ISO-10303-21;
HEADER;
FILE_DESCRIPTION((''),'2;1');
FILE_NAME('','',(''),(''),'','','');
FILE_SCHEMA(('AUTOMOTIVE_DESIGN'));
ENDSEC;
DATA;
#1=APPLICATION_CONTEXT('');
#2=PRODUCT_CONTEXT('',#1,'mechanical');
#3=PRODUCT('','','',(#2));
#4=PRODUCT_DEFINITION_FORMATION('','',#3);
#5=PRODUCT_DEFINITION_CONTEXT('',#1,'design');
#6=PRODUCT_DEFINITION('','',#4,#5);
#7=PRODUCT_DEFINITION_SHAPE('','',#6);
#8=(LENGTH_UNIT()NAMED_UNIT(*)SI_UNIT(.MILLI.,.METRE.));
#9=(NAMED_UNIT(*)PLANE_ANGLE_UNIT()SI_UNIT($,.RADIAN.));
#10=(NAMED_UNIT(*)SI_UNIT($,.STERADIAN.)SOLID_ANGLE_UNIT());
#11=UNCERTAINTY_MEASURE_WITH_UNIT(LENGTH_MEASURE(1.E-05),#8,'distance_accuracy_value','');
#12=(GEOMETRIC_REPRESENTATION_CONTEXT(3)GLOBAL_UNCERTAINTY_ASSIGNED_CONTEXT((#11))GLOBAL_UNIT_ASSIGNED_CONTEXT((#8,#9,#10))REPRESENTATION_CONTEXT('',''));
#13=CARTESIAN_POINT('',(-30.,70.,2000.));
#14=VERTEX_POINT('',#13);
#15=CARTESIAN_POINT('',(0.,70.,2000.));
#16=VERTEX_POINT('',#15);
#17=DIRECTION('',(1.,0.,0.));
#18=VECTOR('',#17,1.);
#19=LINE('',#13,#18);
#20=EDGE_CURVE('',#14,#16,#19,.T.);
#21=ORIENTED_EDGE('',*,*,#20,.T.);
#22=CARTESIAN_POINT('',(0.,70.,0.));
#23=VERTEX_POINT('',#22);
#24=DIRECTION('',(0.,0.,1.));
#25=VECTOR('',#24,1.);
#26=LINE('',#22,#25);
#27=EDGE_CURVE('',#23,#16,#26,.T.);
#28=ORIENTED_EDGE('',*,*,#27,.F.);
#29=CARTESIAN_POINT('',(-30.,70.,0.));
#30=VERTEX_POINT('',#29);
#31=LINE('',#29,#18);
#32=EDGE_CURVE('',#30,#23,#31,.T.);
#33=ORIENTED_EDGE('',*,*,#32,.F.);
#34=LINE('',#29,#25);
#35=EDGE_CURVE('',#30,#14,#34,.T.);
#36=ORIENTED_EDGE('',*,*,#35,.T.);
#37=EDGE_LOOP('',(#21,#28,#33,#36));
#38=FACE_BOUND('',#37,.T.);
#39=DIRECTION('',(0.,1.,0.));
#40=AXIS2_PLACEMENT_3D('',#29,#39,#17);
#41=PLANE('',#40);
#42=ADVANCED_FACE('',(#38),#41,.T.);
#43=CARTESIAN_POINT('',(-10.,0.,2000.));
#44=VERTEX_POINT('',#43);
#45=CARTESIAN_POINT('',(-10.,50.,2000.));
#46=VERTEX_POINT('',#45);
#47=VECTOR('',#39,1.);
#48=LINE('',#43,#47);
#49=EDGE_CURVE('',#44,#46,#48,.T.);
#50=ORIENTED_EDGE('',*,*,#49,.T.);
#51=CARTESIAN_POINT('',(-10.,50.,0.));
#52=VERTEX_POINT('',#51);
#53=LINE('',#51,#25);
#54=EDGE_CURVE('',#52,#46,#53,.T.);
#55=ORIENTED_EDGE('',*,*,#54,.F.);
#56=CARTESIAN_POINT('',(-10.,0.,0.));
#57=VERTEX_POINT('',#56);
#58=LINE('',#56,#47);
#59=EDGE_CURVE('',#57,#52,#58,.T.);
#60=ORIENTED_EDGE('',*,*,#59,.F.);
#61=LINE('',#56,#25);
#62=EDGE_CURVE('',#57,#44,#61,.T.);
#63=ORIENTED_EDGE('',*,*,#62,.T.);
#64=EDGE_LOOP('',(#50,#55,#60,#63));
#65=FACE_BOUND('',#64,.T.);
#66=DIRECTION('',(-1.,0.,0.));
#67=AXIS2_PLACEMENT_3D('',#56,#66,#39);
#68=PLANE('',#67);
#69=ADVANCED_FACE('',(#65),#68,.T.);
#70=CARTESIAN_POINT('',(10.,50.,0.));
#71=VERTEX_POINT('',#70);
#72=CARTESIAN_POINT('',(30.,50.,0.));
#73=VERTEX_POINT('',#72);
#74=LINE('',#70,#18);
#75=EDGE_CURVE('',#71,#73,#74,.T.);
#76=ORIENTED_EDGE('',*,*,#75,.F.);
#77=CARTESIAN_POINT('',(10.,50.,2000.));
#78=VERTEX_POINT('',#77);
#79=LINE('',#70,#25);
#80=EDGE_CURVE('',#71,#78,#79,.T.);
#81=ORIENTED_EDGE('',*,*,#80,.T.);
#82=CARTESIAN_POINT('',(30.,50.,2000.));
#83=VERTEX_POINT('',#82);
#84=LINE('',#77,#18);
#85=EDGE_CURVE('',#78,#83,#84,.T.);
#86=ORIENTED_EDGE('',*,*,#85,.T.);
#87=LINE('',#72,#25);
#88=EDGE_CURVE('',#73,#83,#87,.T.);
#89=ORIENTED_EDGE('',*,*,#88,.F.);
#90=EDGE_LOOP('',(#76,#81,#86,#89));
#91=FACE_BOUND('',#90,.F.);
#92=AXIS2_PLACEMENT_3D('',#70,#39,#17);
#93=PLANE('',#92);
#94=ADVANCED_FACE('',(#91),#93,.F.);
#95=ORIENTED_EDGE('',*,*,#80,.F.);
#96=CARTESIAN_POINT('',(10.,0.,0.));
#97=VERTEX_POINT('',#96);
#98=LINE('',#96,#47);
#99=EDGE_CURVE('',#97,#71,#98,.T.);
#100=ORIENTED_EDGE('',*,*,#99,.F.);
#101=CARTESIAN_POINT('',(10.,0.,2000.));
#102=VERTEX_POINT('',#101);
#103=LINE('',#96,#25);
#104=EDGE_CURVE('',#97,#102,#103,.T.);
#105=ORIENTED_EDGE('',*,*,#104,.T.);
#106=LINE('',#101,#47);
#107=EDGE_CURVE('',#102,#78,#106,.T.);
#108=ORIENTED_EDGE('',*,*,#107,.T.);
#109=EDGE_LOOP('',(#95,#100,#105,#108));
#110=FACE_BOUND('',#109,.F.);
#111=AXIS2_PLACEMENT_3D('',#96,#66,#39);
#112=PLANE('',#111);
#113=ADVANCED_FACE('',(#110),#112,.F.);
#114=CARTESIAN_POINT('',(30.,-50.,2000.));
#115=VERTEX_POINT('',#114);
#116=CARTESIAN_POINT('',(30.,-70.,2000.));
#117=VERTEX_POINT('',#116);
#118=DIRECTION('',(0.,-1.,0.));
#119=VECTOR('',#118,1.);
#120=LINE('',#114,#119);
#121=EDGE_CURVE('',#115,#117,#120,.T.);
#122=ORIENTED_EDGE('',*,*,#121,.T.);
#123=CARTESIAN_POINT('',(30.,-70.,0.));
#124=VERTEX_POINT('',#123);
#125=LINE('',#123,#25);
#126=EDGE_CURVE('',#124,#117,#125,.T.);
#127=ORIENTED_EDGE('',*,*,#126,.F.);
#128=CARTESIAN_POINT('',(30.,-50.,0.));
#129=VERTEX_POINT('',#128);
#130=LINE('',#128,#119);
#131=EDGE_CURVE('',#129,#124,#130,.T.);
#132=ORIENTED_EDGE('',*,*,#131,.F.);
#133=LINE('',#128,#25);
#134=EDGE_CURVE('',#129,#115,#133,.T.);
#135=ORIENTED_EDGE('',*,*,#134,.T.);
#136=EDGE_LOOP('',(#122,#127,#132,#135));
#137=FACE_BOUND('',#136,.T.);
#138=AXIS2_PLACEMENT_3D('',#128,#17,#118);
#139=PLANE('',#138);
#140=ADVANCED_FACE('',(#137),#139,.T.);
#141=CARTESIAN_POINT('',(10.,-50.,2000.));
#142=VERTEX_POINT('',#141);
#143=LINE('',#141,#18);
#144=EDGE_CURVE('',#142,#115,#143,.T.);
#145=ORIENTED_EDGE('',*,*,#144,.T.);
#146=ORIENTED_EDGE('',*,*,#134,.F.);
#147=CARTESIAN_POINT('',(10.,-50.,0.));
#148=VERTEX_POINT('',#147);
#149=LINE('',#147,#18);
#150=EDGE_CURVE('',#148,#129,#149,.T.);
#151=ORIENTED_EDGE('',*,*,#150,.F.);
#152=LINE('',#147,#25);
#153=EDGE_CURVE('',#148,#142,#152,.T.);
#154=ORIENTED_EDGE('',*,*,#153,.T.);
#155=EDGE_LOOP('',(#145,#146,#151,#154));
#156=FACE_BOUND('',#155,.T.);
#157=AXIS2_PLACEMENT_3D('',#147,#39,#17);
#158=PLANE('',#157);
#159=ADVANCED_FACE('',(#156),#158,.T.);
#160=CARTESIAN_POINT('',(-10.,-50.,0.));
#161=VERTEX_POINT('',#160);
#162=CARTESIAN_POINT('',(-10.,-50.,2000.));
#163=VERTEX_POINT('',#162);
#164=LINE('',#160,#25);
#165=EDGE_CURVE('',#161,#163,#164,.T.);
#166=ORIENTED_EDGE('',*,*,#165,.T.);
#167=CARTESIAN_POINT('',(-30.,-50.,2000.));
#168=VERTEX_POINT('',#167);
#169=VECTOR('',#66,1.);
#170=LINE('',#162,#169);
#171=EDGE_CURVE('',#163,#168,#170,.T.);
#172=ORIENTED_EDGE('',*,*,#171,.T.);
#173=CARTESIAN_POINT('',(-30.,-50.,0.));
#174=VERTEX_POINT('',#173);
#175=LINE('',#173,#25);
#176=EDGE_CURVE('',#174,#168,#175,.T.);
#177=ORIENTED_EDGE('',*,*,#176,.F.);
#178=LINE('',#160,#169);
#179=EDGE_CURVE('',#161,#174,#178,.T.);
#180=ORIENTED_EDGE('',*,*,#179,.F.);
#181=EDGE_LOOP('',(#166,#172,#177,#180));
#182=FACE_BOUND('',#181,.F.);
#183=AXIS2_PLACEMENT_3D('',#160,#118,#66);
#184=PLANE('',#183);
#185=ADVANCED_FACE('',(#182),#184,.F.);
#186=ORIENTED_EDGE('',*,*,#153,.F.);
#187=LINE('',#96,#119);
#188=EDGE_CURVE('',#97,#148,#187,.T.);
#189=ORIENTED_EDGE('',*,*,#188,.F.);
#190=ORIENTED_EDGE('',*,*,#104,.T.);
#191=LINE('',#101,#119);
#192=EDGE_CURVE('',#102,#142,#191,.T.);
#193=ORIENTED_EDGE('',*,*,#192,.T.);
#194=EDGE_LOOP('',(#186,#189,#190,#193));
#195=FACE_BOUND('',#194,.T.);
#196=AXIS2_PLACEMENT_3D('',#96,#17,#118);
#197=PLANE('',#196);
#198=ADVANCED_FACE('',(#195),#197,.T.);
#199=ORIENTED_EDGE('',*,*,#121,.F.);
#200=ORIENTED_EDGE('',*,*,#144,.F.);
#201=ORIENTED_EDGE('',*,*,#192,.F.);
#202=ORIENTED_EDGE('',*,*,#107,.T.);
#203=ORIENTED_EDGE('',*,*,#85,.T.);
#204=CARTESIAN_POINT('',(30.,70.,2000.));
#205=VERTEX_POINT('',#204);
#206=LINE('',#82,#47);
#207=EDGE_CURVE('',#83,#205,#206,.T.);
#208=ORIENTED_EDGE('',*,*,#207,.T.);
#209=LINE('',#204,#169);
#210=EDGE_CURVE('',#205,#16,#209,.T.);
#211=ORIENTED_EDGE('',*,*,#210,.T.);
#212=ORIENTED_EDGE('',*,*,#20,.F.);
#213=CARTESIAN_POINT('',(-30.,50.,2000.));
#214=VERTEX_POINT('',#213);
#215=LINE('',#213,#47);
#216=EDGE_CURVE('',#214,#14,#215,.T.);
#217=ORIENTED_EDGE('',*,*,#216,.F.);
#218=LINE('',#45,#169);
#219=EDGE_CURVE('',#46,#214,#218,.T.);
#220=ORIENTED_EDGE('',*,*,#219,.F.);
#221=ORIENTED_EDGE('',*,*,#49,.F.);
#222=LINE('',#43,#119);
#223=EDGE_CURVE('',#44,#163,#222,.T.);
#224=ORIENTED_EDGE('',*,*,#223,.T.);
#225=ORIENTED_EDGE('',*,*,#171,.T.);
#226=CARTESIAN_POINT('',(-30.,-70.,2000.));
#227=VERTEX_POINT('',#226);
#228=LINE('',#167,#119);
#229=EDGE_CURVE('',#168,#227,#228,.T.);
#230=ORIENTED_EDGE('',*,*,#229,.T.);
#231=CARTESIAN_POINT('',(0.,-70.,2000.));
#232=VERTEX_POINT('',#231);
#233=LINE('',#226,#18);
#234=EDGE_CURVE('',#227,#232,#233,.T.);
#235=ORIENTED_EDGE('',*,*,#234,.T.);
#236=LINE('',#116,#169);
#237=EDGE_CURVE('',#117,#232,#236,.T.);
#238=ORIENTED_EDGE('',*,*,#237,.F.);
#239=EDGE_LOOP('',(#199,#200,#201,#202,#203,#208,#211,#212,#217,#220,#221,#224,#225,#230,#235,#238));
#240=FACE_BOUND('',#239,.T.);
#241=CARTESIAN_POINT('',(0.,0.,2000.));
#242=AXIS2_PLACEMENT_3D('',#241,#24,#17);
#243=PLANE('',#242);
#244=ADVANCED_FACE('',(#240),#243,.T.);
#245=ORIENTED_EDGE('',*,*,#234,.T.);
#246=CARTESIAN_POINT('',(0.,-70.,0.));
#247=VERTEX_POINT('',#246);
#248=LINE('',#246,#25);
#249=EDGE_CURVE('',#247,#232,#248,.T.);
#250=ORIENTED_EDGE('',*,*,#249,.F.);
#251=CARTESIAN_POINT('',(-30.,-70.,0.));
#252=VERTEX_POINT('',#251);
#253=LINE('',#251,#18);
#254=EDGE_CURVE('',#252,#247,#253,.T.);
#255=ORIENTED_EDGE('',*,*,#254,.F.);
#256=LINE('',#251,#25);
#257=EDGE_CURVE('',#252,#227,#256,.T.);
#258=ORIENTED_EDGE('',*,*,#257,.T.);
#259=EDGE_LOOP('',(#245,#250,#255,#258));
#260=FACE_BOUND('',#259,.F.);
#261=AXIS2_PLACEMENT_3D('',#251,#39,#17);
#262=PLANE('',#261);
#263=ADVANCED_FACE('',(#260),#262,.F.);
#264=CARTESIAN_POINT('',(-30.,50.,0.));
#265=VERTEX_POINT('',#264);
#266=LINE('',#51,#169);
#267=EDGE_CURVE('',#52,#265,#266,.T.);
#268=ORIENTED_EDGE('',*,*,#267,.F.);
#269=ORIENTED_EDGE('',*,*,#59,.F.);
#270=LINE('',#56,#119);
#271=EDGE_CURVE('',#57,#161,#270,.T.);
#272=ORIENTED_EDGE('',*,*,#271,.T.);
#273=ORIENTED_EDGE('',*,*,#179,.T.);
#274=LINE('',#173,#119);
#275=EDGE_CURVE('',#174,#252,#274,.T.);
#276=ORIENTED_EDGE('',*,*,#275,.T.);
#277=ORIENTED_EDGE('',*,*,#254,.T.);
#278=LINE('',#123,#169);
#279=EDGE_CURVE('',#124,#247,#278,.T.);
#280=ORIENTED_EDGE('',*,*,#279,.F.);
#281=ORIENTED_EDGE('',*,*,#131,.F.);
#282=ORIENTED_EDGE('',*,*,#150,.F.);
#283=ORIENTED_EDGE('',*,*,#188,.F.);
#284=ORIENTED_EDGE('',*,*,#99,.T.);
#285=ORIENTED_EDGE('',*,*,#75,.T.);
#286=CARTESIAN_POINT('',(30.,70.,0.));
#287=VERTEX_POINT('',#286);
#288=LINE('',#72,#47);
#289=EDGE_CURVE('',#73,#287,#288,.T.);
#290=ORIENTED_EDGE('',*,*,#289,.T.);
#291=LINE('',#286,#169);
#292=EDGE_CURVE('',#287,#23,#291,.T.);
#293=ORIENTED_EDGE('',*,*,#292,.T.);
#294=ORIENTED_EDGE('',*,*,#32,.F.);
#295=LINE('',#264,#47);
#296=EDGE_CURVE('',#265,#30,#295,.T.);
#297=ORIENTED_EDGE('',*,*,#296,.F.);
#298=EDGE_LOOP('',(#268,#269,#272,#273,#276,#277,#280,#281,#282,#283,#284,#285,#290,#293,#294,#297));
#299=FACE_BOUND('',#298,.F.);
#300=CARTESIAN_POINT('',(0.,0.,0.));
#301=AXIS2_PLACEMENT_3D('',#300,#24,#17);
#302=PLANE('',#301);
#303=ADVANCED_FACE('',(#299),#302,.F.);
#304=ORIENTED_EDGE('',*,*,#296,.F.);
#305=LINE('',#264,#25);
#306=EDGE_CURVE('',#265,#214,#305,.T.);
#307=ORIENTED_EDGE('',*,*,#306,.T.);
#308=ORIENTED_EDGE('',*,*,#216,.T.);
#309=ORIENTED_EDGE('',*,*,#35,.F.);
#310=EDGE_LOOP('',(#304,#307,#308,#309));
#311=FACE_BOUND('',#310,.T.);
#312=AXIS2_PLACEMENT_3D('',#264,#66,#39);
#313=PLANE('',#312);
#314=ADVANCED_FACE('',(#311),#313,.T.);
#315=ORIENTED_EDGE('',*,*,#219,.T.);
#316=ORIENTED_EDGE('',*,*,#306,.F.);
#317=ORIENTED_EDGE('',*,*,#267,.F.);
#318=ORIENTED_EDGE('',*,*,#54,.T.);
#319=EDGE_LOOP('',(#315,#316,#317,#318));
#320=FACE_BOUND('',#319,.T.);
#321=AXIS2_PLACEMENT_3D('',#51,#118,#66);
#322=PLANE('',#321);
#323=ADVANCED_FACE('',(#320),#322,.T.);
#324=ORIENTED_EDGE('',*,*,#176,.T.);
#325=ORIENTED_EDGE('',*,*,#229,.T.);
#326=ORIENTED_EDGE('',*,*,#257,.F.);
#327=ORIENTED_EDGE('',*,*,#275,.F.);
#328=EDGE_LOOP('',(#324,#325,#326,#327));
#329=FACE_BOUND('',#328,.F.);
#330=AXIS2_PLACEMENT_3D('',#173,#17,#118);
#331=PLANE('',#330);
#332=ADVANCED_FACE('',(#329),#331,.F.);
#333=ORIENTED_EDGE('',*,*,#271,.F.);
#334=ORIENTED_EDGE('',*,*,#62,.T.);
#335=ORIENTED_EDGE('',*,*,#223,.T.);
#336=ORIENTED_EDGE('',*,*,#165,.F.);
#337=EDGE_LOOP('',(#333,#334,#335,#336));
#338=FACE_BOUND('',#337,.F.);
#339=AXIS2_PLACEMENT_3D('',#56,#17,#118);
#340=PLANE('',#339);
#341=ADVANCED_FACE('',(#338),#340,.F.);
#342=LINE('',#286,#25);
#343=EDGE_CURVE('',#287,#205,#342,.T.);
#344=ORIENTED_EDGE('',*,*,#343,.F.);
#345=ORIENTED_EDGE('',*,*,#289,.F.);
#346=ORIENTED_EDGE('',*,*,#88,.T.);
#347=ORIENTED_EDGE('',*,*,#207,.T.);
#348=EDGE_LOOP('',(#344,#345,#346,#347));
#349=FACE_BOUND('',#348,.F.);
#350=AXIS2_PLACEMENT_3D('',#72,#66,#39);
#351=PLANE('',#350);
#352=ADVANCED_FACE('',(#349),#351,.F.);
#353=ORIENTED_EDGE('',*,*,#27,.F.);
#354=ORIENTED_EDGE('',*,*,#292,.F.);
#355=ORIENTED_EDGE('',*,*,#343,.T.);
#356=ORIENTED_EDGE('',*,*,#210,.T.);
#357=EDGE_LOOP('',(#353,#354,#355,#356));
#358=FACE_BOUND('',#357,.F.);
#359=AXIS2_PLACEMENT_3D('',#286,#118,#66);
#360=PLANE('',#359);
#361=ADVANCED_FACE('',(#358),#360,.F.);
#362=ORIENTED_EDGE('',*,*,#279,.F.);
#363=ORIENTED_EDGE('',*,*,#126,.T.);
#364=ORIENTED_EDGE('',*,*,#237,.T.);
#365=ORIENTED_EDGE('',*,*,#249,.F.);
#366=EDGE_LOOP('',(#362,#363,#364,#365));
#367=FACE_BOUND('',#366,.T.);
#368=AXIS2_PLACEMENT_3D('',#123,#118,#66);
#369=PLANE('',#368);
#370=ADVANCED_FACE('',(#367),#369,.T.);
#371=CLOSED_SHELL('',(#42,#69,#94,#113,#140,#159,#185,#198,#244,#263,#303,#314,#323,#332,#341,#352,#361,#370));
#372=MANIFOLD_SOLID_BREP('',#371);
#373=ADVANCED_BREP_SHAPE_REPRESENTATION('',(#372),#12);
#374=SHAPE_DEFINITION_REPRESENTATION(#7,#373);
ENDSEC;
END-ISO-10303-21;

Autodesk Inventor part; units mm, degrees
ref_plane "YZ Plane" through (0, 0, 0) normal (1, 0, 0) x (0, 1, 0)
ref_plane "XZ Plane" through (0, 0, 0) normal (0, 1, 0) x (-1, 0, 0)
ref_plane "XY Plane" through (0, 0, 0) normal (0, 0, 1) x (1, 0, 0)
sketch "Sketch1" plane through (0, 0, 0) normal (0, 0, 1) x (1, 0, 0)
  line L0 (10, 0) -> (10, 50)
  line L1 (10, 50) -> (30, 50)
  line L2 (30, 50) -> (30, 70)
  line L3 (30, 70) -> (0, 70)
  line L4 (10, 0) -> (10, -50)
  line L5 (10, -50) -> (30, -50)
  line L6 (30, -50) -> (30, -70)
  line L7 (30, -70) -> (0, -70)
  line L8 (-10, 0) -> (-10, 50)
  line L9 (-10, 50) -> (-30, 50)
  line L10 (-30, 50) -> (-30, 70)
  line L11 (-30, 70) -> (0, 70)
  line L12 (-10, 0) -> (-10, -50)
  line L13 (-10, -50) -> (-30, -50)
  line L14 (-30, -50) -> (-30, -70)
  line L15 (-30, -70) -> (0, -70)
  point P0 (0, 0)
  dimension "d4" = 50
  dimension "d5" = 20
  dimension "d6" = 20
extrude "Extrusion1" add sketch "Sketch1" along normal blind 2000
properties part number "A Console beam" material "Steel, Cast"
